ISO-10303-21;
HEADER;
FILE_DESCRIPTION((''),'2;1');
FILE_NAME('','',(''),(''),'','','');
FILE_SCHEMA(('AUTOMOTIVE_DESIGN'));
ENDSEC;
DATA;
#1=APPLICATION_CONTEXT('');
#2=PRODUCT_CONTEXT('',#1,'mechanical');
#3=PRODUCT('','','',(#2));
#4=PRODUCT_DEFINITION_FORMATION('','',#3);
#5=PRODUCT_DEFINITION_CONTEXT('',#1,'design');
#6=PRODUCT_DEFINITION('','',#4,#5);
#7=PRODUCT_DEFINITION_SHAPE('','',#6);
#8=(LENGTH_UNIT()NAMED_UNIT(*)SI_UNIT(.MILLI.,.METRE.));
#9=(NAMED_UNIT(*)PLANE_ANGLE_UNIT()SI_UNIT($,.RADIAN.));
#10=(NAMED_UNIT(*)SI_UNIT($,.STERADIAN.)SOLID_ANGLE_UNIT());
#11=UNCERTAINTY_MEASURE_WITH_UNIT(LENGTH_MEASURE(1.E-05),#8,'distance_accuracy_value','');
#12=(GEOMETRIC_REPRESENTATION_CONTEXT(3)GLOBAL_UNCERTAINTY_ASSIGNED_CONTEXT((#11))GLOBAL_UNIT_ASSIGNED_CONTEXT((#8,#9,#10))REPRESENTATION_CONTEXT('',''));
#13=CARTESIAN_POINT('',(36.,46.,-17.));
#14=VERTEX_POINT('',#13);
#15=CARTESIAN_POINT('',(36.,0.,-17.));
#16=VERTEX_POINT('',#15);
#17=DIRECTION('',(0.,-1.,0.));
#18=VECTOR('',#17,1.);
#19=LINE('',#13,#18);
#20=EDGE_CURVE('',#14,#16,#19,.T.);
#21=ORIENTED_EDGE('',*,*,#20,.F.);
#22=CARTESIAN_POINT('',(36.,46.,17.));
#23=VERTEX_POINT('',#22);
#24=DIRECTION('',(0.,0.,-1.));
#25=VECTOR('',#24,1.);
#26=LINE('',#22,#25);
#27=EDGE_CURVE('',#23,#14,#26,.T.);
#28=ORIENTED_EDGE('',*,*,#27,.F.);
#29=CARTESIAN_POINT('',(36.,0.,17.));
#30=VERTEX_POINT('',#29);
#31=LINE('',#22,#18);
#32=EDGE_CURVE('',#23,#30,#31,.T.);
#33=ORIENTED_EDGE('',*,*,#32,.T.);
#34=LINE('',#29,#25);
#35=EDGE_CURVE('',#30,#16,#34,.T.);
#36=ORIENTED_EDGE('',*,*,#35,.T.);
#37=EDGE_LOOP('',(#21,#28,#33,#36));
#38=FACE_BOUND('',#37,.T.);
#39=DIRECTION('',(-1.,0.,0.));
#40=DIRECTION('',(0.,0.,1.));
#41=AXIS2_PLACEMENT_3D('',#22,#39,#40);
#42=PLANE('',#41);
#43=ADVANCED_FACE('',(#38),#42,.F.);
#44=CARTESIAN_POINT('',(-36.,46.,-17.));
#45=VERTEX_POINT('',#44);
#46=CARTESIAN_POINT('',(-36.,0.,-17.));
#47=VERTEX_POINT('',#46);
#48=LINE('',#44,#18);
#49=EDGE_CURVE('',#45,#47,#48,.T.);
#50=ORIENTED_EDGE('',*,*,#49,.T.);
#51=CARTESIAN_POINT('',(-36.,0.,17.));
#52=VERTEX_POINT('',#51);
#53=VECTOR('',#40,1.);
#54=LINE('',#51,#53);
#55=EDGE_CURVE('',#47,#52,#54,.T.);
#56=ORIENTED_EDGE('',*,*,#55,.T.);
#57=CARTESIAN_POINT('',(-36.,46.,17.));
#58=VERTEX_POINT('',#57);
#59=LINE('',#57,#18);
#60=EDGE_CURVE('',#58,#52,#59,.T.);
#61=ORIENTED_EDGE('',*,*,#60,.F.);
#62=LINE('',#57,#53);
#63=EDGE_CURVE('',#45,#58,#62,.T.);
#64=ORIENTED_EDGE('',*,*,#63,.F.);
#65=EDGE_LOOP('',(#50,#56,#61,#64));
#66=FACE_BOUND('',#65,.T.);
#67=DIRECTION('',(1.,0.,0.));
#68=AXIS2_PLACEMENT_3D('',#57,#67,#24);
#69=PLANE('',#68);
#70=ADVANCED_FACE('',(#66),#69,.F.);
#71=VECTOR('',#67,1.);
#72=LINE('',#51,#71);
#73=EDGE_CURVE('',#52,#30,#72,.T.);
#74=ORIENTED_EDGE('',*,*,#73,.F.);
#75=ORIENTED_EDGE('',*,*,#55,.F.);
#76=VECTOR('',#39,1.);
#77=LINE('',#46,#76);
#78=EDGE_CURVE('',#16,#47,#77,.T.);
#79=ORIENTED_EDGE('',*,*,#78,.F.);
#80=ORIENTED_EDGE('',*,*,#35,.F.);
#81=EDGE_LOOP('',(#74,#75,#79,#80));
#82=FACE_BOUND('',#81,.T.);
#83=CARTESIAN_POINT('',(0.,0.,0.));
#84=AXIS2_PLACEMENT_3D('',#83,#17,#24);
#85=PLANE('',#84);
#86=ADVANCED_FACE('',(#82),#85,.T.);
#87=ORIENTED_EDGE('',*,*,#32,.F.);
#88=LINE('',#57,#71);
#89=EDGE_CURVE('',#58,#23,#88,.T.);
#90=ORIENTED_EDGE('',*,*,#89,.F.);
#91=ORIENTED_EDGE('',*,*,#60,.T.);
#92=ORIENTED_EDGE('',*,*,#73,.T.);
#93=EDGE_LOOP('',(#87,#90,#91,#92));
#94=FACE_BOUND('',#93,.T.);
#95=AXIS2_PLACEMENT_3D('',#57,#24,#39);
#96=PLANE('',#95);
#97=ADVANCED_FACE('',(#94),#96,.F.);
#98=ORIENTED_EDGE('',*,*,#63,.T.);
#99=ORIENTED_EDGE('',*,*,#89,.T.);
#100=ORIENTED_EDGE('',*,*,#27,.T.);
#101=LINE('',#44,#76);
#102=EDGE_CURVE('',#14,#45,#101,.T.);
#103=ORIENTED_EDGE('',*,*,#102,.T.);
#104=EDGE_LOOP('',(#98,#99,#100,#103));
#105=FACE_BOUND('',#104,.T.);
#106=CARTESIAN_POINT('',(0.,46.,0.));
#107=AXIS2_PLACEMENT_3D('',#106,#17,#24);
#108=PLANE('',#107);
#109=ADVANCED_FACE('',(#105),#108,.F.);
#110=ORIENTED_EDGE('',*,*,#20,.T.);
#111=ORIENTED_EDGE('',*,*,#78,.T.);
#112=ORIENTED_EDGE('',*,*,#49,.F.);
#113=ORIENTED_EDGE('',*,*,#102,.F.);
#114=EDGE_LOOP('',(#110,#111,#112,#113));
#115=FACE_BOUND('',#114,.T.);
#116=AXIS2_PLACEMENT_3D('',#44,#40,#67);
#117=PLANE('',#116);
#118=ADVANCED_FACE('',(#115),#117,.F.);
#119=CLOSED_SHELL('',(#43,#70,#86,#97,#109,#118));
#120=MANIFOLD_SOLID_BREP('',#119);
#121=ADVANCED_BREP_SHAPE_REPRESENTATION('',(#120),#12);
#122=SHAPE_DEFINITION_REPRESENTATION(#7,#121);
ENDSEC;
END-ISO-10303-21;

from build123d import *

# Parameters (mm, degrees)
SKETCH_1_W      = 72
SKETCH_1_H      = 34
EXTRUDE_1_DEPTH = 46


with BuildPart() as part:
    # 草图1 → 凸台-拉伸1 (new body)
    with BuildSketch(Plane(origin=(0, 0, 0), x_dir=(1, 0, 0), z_dir=(0, 1, 0))):
        Rectangle(SKETCH_1_W, SKETCH_1_H)
    extrude(amount=EXTRUDE_1_DEPTH)


solid = part.part
